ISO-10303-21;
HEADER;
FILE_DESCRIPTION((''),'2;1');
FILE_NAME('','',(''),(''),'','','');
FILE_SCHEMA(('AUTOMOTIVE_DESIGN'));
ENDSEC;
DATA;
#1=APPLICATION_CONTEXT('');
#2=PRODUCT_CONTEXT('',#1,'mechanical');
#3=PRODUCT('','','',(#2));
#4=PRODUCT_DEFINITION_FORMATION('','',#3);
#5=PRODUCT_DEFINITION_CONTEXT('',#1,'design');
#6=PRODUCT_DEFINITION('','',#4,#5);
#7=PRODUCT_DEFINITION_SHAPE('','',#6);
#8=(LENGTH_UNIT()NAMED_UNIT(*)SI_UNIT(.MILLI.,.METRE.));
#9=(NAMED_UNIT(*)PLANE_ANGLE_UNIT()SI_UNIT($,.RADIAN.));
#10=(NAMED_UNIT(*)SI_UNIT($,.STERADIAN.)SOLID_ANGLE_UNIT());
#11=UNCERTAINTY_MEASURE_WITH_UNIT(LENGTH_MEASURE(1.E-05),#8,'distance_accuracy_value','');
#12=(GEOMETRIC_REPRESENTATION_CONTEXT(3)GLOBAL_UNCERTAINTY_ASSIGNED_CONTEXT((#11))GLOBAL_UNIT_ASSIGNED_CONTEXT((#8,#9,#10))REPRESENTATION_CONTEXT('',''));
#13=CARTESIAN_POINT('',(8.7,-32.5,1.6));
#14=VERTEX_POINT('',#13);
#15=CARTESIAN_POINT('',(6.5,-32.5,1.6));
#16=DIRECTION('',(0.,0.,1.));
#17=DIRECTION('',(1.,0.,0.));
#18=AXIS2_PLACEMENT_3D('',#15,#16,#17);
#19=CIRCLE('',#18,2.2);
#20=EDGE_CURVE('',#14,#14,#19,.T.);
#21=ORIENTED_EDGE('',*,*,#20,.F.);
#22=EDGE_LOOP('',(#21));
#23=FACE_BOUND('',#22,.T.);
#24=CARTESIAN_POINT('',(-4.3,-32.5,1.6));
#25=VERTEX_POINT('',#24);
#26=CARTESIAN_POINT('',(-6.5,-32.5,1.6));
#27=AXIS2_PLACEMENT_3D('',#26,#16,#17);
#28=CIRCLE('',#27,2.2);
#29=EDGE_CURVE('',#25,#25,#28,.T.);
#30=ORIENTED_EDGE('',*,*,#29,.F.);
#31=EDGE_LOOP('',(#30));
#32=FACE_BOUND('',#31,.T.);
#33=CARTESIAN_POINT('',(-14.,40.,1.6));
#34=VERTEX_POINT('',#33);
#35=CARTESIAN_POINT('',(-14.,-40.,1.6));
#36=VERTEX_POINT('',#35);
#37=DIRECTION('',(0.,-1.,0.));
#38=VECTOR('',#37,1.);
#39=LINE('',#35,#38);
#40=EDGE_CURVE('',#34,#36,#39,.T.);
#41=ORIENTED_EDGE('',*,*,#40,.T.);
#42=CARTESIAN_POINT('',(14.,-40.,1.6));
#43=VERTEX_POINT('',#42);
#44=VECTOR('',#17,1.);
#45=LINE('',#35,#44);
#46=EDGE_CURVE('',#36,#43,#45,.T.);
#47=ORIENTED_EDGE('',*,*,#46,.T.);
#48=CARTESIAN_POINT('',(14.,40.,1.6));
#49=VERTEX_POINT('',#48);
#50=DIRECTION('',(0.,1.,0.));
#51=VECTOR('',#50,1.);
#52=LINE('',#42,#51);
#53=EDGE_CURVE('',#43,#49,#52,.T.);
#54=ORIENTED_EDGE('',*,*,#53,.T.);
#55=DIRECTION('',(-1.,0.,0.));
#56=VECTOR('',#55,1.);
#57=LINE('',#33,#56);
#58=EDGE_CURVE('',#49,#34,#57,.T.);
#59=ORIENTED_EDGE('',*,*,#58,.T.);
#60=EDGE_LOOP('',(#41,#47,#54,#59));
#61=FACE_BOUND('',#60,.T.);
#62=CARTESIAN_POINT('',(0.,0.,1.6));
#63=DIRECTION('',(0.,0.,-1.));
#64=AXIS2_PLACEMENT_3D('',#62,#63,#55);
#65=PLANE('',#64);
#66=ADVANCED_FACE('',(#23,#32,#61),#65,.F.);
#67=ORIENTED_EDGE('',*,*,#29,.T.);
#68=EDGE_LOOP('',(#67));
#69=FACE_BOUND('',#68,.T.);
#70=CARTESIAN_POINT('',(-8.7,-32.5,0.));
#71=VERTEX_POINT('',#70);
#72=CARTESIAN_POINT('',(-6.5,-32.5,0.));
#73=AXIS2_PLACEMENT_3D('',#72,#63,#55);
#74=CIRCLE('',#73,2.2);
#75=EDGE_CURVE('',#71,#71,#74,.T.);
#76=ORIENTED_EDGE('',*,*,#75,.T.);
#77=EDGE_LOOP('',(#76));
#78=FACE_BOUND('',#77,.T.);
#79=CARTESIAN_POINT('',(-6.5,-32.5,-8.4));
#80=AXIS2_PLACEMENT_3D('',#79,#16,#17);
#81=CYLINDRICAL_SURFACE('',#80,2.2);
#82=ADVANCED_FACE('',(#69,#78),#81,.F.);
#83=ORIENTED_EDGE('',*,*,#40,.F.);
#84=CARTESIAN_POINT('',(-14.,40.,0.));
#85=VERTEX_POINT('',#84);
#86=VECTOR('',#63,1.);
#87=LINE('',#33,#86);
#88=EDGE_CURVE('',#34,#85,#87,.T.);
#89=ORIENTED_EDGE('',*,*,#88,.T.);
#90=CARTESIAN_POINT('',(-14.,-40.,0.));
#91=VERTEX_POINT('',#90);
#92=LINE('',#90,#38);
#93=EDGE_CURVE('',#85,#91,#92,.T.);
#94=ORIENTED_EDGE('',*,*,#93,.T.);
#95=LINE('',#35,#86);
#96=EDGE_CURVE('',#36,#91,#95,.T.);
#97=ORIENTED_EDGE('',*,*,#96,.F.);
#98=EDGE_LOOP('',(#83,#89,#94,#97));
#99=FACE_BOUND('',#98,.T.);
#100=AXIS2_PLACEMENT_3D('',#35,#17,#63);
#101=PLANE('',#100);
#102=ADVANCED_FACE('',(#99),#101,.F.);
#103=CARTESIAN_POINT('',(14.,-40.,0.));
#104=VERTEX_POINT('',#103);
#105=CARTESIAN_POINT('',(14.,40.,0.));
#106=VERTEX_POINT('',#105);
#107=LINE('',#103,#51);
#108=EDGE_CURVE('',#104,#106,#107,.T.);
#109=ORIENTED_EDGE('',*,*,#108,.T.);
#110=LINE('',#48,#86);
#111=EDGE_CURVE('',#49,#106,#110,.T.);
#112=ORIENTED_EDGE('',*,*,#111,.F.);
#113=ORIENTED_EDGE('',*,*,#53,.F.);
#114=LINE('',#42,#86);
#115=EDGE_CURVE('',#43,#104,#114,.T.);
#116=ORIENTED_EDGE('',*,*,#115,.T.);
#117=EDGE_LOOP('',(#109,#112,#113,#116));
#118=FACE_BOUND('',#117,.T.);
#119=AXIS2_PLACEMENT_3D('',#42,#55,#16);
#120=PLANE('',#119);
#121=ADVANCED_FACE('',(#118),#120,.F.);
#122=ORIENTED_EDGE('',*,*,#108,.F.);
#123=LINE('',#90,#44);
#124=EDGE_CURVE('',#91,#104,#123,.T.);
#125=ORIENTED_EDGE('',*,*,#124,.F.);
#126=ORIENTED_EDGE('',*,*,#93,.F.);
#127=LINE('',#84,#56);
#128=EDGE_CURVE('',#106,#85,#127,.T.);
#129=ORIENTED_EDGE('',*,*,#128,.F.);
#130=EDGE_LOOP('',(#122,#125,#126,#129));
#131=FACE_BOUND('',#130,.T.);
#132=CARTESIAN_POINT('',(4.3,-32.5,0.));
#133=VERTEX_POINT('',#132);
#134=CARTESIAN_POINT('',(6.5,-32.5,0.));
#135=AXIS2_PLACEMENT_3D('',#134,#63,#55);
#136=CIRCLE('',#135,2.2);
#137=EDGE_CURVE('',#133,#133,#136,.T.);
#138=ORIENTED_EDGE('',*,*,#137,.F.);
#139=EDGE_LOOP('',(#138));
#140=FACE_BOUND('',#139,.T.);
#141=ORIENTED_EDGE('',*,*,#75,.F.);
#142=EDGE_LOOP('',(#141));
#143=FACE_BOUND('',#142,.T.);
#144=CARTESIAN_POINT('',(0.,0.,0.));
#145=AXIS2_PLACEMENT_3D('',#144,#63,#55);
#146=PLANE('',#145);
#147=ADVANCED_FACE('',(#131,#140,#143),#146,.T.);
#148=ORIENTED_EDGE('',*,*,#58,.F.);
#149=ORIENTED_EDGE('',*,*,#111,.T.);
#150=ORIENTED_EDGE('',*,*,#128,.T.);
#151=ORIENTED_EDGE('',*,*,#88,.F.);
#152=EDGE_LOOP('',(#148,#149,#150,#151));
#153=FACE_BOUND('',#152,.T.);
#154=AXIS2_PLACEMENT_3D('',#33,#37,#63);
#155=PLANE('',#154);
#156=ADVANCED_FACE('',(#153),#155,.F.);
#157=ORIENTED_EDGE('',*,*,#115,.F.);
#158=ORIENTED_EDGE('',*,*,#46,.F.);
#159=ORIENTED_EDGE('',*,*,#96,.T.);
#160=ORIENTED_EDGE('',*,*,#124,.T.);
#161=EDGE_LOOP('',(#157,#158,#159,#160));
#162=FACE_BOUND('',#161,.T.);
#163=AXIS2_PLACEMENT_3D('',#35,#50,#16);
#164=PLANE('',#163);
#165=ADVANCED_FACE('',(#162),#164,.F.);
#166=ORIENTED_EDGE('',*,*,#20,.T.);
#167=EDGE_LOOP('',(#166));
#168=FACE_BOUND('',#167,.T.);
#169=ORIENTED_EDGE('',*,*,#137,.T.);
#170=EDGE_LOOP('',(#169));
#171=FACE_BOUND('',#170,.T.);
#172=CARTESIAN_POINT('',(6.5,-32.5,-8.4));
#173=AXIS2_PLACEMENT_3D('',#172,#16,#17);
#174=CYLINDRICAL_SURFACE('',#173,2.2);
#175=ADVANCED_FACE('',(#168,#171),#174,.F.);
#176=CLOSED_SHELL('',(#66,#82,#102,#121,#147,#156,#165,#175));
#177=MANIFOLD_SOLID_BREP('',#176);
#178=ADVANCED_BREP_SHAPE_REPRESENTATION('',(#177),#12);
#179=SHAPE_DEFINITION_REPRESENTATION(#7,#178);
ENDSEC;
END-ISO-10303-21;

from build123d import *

# Parameters (mm, degrees)
SKETCH1_W           = 28
SKETCH1_H           = 80
BOSS_EXTRUDE1_DEPTH = 1.6
SKETCH2_R           = 2.2
CUT_EXTRUDE1_DEPTH  = 10


with BuildPart() as part:
    # Sketch1 → Boss-Extrude1 (new body)
    with BuildSketch(Plane.XY):
        Rectangle(SKETCH1_W, SKETCH1_H)
    extrude(amount=BOSS_EXTRUDE1_DEPTH)

    # Sketch2 → Cut-Extrude1 (cut)
    with BuildSketch(Plane.XY.offset(1.6)):
        with Locations((6.5, -32.5)):
            Circle(SKETCH2_R)
        with Locations((-6.5, -32.5)):
            Circle(SKETCH2_R)
    extrude(amount=-CUT_EXTRUDE1_DEPTH, mode=Mode.SUBTRACT)


solid = part.part
